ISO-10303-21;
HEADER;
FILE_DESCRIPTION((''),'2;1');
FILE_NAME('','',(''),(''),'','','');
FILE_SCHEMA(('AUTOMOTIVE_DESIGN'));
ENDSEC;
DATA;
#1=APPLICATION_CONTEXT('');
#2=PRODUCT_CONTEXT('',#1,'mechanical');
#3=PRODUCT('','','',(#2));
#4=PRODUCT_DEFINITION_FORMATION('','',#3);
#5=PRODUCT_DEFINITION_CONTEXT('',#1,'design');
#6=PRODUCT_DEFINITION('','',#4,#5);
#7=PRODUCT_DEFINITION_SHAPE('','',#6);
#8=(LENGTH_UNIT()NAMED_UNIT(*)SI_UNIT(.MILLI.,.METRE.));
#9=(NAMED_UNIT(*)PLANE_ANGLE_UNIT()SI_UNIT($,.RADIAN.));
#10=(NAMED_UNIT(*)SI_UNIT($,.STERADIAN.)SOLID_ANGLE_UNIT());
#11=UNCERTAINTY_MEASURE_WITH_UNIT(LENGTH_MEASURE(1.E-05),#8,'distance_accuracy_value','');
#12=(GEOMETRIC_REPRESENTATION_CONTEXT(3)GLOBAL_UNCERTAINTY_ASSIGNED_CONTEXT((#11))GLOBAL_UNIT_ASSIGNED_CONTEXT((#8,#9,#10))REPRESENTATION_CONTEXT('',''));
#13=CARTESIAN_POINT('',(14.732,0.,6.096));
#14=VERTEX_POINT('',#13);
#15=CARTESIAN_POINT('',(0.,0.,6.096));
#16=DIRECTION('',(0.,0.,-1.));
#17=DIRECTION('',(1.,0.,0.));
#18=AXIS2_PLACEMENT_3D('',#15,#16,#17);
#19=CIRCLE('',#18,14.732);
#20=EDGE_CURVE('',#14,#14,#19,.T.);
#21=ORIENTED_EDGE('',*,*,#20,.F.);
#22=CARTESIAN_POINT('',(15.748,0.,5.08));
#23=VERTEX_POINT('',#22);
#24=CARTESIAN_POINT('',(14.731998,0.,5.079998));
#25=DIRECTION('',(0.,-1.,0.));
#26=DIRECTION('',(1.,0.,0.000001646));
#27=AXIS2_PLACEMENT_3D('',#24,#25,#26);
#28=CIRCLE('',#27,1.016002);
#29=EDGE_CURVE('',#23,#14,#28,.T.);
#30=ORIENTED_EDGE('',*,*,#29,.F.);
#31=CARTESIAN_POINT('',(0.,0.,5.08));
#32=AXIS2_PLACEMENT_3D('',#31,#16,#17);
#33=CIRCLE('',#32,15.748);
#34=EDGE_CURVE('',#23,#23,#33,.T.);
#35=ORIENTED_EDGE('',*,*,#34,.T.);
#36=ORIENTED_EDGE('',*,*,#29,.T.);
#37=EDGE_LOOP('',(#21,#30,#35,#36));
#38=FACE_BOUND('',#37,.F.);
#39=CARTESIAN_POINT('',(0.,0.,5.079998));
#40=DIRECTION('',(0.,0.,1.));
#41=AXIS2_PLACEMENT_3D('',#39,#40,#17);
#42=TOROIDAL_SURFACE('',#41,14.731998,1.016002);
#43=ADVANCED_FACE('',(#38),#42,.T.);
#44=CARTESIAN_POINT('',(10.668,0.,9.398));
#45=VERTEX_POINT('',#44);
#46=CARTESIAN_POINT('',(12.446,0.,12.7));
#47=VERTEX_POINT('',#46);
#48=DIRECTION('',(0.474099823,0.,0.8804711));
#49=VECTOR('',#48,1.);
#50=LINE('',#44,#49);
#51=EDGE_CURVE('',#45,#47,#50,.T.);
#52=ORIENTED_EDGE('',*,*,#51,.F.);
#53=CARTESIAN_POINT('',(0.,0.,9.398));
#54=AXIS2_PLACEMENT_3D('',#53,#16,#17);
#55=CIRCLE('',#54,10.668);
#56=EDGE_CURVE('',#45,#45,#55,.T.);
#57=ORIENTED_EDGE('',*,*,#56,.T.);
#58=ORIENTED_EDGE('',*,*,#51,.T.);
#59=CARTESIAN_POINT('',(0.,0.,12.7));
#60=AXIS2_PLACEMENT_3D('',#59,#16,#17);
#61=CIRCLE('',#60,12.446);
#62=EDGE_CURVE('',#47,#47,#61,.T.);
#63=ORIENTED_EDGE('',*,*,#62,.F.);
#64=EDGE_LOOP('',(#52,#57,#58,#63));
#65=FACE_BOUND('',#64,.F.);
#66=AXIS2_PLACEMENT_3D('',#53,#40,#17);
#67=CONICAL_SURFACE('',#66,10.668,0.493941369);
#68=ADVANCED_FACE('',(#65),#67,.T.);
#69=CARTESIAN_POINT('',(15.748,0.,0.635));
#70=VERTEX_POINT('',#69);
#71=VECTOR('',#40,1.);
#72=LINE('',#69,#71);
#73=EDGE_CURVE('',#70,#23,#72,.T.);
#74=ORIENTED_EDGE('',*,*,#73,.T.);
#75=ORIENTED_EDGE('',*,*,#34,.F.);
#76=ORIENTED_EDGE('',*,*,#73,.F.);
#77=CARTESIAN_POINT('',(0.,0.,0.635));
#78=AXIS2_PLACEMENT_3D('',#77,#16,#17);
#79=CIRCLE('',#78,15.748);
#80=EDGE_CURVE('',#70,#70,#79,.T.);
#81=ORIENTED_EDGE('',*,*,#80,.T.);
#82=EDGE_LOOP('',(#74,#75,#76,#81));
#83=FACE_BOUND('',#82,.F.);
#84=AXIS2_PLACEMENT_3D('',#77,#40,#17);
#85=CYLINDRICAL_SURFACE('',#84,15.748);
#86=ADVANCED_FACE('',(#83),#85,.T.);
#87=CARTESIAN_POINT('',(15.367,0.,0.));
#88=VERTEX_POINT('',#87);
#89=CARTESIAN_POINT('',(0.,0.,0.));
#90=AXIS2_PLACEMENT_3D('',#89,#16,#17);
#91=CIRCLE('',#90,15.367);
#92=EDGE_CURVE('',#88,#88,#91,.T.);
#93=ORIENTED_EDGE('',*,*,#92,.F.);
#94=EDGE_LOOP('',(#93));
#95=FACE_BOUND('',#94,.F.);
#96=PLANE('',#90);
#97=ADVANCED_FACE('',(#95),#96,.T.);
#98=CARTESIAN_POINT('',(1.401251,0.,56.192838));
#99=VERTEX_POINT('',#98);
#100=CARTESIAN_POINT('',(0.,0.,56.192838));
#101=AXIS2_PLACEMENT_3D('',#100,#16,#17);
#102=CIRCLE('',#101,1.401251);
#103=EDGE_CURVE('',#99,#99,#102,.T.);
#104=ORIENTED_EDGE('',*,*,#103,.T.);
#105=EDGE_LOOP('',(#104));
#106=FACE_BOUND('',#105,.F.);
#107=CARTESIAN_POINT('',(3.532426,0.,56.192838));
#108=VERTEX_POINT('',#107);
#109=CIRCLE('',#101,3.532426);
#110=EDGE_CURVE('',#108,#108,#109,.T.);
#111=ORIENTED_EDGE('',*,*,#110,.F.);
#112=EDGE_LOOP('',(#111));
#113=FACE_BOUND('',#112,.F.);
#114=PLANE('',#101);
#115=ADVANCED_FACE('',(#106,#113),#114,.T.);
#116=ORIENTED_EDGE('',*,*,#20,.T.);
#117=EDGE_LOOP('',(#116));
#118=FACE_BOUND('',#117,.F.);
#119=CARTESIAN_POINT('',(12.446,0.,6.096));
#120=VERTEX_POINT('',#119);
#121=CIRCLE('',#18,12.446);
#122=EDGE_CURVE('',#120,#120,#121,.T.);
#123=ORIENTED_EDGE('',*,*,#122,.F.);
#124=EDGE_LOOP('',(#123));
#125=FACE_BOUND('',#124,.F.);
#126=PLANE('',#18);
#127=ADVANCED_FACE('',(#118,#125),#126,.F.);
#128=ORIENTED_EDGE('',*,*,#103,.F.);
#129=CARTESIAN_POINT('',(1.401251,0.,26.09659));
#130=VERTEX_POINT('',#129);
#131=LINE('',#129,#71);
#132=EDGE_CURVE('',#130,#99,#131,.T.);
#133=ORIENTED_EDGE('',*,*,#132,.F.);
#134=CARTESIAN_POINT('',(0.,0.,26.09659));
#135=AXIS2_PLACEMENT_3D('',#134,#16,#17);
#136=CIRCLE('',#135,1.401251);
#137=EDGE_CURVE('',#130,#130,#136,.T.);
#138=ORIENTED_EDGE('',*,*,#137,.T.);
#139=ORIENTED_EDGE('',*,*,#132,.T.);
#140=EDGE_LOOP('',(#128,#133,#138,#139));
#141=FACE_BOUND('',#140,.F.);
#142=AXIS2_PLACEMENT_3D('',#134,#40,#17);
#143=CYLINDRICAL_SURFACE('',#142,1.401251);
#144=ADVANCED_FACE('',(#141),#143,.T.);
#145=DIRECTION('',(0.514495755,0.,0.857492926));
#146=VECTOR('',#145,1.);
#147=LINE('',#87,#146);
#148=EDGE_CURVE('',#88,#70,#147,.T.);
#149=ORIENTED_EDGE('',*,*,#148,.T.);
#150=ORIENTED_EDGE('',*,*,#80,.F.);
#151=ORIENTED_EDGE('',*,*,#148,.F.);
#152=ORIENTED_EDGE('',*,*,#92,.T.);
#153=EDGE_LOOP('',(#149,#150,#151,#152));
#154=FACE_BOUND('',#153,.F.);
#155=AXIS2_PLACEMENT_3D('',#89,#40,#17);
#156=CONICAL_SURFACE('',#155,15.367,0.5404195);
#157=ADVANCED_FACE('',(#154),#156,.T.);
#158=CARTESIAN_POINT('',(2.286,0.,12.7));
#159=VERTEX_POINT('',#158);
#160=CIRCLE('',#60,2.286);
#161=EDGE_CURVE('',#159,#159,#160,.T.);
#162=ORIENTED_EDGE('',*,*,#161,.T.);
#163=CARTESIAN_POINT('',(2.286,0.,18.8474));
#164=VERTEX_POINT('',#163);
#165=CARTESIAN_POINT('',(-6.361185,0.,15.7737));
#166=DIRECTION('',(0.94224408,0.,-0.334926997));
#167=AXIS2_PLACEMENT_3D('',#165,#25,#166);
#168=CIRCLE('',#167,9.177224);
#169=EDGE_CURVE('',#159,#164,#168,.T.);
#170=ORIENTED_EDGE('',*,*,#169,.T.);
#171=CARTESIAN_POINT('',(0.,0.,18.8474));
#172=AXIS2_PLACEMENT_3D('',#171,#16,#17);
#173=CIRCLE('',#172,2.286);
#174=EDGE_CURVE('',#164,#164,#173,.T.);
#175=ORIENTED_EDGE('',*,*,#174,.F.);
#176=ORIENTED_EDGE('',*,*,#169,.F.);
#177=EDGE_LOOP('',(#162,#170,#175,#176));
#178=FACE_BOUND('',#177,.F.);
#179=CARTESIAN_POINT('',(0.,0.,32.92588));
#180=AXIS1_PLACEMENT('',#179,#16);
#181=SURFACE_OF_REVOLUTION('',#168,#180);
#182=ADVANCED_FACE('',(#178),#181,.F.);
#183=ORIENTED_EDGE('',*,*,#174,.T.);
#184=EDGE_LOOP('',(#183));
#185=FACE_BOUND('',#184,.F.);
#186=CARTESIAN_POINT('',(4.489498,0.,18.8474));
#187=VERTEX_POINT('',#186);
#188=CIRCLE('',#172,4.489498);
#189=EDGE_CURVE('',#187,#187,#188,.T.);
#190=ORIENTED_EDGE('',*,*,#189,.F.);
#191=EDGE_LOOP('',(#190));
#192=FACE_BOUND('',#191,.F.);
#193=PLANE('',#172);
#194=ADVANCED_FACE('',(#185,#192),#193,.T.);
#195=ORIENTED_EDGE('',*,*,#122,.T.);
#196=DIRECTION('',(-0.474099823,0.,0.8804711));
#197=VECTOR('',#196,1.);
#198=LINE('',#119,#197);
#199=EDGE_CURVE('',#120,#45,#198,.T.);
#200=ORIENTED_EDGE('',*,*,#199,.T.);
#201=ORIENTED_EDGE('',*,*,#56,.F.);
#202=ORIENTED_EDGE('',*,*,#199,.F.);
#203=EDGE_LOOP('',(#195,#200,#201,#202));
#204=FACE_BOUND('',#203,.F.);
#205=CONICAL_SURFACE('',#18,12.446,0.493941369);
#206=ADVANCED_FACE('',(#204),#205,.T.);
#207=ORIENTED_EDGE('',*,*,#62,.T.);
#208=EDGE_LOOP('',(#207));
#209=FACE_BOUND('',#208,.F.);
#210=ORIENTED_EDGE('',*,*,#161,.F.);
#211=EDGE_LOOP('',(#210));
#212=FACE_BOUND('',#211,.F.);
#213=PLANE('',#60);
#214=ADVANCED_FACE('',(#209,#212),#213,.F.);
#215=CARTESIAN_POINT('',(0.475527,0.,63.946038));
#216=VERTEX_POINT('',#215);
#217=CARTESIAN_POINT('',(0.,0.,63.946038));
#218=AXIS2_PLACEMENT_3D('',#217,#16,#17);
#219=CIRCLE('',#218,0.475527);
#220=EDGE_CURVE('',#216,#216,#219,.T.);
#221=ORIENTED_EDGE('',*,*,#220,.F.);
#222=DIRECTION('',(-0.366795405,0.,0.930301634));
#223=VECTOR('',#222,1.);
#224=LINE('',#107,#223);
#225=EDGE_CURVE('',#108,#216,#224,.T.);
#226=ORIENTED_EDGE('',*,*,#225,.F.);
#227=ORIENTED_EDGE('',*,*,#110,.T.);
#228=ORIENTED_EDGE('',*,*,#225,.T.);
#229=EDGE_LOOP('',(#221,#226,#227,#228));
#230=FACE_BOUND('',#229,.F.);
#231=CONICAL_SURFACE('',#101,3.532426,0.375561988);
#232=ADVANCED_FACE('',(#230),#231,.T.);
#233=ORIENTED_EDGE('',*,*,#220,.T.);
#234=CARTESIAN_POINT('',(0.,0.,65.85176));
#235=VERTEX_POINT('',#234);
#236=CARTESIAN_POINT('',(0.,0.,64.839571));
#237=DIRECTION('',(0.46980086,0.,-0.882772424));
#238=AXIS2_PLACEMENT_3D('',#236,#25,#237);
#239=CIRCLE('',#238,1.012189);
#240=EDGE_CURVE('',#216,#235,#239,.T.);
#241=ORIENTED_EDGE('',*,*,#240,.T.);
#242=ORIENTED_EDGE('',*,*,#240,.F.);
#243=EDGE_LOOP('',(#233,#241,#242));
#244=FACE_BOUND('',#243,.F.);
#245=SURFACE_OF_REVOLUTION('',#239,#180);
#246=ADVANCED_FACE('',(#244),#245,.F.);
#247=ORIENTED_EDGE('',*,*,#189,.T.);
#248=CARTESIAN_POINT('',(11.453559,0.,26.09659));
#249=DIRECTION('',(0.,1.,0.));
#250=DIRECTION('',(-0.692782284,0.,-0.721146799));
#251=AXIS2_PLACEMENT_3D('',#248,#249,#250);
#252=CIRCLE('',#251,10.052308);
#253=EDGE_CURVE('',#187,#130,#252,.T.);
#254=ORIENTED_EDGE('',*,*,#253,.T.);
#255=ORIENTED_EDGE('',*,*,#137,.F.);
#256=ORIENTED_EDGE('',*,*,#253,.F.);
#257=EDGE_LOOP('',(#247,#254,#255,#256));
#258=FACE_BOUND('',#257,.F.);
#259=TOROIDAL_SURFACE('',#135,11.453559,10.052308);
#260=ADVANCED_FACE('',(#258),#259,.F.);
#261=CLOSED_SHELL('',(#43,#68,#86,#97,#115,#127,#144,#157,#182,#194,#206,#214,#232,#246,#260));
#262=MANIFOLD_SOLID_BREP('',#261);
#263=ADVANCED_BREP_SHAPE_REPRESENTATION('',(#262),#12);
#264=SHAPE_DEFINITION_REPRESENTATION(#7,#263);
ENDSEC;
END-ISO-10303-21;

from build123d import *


with BuildPart() as f1:
    # F0 (on Front) → F1 (revolve)
    with BuildSketch(Plane.XZ):
        with BuildLine():
            Line((0, 0), (15.367, 0))
            Line((15.367, 0), (15.748, 0.635))
            Line((15.748, 0.635), (15.748, 5.08))
            ThreePointArc((15.748, 5.08), (15.45042, 5.79842), (14.732, 6.096))
            Line((14.732, 6.096), (12.446, 6.096))
            Line((12.446, 6.096), (10.668, 9.398))
            Line((10.668, 9.398), (12.446, 12.7))
            Line((12.446, 12.7), (2.286, 12.7))
            ThreePointArc((2.286, 12.7), (2.816039, 15.7737), (2.286, 18.8474))
            Line((2.286, 18.8474), (4.489498, 18.8474))
            ThreePointArc((4.489498, 18.8474), (2.205484, 22.156792), (1.401251, 26.09659))
            Line((1.401251, 26.09659), (1.401251, 56.192838))
            Line((1.401251, 56.192838), (3.532426, 56.192838))
            Line((3.532426, 56.192838), (0.475527, 63.946038))
            ThreePointArc((0.475527, 63.946038), (0.982077, 65.084624), (0, 65.85176))
            Line((0, 65.85176), (0, 0))
        make_face()
    revolve(axis=Axis((0, 0, 32.92588), (0, 0, -1)))


solid = f1.part
